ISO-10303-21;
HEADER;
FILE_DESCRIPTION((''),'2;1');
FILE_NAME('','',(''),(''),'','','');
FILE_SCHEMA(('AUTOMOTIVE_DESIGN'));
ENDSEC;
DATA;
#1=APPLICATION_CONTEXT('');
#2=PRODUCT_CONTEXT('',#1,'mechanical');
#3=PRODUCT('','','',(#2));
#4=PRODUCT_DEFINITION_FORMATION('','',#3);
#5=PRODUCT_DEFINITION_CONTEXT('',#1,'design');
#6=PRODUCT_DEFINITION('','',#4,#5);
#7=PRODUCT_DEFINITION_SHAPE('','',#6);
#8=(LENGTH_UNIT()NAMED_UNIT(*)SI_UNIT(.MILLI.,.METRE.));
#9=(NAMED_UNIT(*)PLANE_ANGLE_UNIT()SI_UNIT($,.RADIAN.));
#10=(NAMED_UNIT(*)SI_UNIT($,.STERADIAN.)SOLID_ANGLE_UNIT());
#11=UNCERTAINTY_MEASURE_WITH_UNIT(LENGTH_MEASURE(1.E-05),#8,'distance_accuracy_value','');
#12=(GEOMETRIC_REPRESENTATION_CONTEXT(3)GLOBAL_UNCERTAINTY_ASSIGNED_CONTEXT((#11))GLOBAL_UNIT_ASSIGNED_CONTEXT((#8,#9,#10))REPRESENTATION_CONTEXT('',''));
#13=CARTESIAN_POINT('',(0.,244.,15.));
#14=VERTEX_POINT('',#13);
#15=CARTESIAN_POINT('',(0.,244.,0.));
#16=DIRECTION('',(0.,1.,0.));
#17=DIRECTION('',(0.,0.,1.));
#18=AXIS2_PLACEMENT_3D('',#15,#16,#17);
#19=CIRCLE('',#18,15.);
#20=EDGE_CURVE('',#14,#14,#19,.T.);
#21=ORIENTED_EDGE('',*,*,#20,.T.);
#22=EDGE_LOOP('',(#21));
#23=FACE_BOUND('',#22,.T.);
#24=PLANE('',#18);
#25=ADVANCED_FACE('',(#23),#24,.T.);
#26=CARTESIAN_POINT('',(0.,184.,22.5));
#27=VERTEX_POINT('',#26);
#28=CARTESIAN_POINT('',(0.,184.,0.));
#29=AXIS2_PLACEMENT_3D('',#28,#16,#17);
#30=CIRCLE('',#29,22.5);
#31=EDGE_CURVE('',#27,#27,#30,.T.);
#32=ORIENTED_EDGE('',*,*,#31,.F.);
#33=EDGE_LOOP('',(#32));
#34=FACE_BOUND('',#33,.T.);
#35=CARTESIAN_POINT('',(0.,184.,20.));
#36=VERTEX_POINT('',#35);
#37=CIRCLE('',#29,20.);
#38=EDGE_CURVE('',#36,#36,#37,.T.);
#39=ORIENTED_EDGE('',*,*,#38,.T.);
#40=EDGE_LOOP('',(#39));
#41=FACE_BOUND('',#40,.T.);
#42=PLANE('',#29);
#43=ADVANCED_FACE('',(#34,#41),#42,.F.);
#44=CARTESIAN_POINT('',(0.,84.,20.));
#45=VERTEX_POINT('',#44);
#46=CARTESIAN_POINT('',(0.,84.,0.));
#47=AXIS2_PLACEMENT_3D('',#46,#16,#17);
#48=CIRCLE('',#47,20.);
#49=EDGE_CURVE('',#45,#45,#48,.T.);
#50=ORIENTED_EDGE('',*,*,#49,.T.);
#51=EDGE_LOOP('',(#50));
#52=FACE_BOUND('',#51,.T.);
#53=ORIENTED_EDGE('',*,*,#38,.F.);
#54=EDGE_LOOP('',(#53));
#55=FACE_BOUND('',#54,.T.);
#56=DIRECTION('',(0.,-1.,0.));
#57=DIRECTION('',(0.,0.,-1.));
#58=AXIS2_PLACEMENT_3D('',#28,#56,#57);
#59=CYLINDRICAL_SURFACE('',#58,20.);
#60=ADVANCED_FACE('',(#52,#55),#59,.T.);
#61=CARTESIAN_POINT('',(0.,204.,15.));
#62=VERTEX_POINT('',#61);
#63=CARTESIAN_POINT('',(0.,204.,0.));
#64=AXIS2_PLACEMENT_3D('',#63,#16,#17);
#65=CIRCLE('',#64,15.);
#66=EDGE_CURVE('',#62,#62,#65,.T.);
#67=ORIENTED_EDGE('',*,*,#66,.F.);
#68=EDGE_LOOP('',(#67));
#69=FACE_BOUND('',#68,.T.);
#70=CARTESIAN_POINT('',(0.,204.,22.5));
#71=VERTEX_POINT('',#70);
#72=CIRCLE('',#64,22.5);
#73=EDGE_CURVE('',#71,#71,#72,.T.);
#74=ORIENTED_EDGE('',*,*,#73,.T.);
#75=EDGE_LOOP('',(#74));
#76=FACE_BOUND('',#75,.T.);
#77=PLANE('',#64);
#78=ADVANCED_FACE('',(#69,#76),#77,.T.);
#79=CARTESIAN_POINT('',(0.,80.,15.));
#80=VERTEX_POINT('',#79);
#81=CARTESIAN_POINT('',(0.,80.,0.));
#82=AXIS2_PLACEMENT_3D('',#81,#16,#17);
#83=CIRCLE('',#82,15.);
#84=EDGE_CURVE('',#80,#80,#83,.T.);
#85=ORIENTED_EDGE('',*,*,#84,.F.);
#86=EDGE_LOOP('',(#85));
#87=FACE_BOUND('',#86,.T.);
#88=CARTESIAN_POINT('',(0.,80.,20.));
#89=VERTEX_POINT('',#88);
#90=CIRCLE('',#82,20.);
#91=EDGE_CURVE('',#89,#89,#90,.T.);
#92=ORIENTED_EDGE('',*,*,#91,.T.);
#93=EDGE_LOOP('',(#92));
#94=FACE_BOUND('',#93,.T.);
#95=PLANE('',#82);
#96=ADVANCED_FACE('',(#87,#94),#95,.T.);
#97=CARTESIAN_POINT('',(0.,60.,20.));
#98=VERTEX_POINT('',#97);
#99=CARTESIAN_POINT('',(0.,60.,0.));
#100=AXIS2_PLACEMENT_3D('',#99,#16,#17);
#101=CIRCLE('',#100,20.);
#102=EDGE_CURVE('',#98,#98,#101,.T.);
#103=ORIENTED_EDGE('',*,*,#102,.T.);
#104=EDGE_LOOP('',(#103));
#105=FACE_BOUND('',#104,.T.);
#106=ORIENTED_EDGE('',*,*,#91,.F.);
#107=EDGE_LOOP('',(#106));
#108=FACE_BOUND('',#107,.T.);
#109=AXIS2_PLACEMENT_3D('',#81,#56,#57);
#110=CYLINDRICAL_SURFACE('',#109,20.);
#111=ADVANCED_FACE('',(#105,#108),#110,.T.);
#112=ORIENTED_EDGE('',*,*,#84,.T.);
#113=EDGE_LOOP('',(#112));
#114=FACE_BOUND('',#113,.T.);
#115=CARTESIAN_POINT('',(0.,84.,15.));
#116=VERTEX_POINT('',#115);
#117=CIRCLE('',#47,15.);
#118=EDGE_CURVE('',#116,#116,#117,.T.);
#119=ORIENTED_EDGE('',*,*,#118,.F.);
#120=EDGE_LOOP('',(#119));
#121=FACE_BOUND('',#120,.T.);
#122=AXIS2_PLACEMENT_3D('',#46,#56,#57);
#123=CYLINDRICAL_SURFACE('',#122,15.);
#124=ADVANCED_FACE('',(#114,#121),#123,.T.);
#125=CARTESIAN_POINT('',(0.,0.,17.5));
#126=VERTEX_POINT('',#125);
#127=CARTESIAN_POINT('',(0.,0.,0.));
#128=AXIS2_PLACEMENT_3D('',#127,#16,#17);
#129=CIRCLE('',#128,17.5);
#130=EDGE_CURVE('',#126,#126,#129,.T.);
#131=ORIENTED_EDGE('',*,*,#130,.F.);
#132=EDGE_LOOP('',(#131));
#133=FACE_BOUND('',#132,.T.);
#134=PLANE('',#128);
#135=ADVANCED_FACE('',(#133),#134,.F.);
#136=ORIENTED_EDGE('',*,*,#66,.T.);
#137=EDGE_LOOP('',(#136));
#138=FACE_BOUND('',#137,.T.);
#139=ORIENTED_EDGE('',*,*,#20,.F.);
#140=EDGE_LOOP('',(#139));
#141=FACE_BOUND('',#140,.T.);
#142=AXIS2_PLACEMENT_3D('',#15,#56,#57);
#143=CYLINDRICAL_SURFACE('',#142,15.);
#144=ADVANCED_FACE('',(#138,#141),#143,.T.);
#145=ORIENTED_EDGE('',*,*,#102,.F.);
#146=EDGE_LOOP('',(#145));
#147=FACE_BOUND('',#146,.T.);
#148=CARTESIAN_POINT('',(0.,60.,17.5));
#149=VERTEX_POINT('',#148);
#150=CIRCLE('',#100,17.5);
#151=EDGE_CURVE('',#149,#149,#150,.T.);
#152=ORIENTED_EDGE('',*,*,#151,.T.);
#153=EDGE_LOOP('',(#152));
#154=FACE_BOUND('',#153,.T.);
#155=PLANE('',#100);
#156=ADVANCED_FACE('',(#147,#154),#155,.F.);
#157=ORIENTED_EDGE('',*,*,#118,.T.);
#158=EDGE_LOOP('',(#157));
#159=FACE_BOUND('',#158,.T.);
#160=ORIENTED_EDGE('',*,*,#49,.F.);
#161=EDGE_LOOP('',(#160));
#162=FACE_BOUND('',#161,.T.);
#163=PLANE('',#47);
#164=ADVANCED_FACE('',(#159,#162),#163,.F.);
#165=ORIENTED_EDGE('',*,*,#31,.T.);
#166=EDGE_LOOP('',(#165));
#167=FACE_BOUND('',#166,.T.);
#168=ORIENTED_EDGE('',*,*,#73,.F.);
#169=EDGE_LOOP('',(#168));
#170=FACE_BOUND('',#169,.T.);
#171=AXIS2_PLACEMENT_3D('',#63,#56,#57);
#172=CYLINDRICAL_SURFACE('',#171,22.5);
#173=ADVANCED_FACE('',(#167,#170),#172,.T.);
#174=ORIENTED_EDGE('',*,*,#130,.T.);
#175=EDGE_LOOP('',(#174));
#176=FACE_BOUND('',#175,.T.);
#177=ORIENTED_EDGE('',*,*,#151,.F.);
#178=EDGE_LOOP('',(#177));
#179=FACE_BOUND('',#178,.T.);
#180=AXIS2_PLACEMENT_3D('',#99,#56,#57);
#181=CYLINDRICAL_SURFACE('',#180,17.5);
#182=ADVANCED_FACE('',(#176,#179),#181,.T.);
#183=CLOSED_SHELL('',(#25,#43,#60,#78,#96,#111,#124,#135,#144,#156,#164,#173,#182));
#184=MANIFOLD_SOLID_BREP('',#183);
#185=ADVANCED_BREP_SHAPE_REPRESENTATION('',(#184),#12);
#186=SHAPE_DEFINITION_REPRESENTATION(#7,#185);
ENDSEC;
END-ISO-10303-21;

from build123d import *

# Parameters (mm, degrees)
SKETCH_1_R      = 17.5
EXTRUDE_1_DEPTH = 60
SKETCH_2_R      = 20
EXTRUDE_2_DEPTH = 20
SKETCH_3_R      = 15
EXTRUDE_3_DEPTH = 4
SKETCH_4_R      = 20
EXTRUDE_4_DEPTH = 100
SKETCH_5_R      = 22.5
EXTRUDE_5_DEPTH = 20
SKETCH_6_R      = 15
EXTRUDE_6_DEPTH = 40


with BuildPart() as part:
    # 草图1 → 凸台-拉伸1 (new body)
    with BuildSketch(Plane(origin=(0, 0, 0), x_dir=(1, 0, 0), z_dir=(0, 1, 0))):
        with Locations(Location((0, 0, 0), (0, 0, 270))):
            Circle(SKETCH_1_R)
    extrude(amount=EXTRUDE_1_DEPTH)

    # 草图2 → 凸台-拉伸2 (add)
    with BuildSketch(Plane(origin=(0, 60, 0), x_dir=(1, 0, 0), z_dir=(0, 1, 0))):
        with Locations(Location((0, 0, 0), (0, 0, 270))):
            Circle(SKETCH_2_R)
    extrude(amount=EXTRUDE_2_DEPTH)

    # 草图3 → 凸台-拉伸3 (add)
    with BuildSketch(Plane(origin=(0, 80, 0), x_dir=(1, 0, 0), z_dir=(0, 1, 0))):
        with Locations(Location((0, 0, 0), (0, 0, 270))):
            Circle(SKETCH_3_R)
    extrude(amount=EXTRUDE_3_DEPTH)

    # 草图4 → 凸台-拉伸4 (add)
    with BuildSketch(Plane(origin=(0, 84, 0), x_dir=(1, 0, 0), z_dir=(0, 1, 0))):
        with Locations(Location((0, 0, 0), (0, 0, 270))):
            Circle(SKETCH_4_R)
    extrude(amount=EXTRUDE_4_DEPTH)

    # 草图5 → 凸台-拉伸5 (add)
    with BuildSketch(Plane(origin=(0, 184, 0), x_dir=(1, 0, 0), z_dir=(0, 1, 0))):
        with Locations(Location((0, 0, 0), (0, 0, 270))):
            Circle(SKETCH_5_R)
    extrude(amount=EXTRUDE_5_DEPTH)

    # 草图6 → 凸台-拉伸6 (add)
    with BuildSketch(Plane(origin=(0, 204, 0), x_dir=(1, 0, 0), z_dir=(0, 1, 0))):
        with Locations(Location((0, 0, 0), (0, 0, 270))):
            Circle(SKETCH_6_R)
    extrude(amount=EXTRUDE_6_DEPTH)


solid = part.part
